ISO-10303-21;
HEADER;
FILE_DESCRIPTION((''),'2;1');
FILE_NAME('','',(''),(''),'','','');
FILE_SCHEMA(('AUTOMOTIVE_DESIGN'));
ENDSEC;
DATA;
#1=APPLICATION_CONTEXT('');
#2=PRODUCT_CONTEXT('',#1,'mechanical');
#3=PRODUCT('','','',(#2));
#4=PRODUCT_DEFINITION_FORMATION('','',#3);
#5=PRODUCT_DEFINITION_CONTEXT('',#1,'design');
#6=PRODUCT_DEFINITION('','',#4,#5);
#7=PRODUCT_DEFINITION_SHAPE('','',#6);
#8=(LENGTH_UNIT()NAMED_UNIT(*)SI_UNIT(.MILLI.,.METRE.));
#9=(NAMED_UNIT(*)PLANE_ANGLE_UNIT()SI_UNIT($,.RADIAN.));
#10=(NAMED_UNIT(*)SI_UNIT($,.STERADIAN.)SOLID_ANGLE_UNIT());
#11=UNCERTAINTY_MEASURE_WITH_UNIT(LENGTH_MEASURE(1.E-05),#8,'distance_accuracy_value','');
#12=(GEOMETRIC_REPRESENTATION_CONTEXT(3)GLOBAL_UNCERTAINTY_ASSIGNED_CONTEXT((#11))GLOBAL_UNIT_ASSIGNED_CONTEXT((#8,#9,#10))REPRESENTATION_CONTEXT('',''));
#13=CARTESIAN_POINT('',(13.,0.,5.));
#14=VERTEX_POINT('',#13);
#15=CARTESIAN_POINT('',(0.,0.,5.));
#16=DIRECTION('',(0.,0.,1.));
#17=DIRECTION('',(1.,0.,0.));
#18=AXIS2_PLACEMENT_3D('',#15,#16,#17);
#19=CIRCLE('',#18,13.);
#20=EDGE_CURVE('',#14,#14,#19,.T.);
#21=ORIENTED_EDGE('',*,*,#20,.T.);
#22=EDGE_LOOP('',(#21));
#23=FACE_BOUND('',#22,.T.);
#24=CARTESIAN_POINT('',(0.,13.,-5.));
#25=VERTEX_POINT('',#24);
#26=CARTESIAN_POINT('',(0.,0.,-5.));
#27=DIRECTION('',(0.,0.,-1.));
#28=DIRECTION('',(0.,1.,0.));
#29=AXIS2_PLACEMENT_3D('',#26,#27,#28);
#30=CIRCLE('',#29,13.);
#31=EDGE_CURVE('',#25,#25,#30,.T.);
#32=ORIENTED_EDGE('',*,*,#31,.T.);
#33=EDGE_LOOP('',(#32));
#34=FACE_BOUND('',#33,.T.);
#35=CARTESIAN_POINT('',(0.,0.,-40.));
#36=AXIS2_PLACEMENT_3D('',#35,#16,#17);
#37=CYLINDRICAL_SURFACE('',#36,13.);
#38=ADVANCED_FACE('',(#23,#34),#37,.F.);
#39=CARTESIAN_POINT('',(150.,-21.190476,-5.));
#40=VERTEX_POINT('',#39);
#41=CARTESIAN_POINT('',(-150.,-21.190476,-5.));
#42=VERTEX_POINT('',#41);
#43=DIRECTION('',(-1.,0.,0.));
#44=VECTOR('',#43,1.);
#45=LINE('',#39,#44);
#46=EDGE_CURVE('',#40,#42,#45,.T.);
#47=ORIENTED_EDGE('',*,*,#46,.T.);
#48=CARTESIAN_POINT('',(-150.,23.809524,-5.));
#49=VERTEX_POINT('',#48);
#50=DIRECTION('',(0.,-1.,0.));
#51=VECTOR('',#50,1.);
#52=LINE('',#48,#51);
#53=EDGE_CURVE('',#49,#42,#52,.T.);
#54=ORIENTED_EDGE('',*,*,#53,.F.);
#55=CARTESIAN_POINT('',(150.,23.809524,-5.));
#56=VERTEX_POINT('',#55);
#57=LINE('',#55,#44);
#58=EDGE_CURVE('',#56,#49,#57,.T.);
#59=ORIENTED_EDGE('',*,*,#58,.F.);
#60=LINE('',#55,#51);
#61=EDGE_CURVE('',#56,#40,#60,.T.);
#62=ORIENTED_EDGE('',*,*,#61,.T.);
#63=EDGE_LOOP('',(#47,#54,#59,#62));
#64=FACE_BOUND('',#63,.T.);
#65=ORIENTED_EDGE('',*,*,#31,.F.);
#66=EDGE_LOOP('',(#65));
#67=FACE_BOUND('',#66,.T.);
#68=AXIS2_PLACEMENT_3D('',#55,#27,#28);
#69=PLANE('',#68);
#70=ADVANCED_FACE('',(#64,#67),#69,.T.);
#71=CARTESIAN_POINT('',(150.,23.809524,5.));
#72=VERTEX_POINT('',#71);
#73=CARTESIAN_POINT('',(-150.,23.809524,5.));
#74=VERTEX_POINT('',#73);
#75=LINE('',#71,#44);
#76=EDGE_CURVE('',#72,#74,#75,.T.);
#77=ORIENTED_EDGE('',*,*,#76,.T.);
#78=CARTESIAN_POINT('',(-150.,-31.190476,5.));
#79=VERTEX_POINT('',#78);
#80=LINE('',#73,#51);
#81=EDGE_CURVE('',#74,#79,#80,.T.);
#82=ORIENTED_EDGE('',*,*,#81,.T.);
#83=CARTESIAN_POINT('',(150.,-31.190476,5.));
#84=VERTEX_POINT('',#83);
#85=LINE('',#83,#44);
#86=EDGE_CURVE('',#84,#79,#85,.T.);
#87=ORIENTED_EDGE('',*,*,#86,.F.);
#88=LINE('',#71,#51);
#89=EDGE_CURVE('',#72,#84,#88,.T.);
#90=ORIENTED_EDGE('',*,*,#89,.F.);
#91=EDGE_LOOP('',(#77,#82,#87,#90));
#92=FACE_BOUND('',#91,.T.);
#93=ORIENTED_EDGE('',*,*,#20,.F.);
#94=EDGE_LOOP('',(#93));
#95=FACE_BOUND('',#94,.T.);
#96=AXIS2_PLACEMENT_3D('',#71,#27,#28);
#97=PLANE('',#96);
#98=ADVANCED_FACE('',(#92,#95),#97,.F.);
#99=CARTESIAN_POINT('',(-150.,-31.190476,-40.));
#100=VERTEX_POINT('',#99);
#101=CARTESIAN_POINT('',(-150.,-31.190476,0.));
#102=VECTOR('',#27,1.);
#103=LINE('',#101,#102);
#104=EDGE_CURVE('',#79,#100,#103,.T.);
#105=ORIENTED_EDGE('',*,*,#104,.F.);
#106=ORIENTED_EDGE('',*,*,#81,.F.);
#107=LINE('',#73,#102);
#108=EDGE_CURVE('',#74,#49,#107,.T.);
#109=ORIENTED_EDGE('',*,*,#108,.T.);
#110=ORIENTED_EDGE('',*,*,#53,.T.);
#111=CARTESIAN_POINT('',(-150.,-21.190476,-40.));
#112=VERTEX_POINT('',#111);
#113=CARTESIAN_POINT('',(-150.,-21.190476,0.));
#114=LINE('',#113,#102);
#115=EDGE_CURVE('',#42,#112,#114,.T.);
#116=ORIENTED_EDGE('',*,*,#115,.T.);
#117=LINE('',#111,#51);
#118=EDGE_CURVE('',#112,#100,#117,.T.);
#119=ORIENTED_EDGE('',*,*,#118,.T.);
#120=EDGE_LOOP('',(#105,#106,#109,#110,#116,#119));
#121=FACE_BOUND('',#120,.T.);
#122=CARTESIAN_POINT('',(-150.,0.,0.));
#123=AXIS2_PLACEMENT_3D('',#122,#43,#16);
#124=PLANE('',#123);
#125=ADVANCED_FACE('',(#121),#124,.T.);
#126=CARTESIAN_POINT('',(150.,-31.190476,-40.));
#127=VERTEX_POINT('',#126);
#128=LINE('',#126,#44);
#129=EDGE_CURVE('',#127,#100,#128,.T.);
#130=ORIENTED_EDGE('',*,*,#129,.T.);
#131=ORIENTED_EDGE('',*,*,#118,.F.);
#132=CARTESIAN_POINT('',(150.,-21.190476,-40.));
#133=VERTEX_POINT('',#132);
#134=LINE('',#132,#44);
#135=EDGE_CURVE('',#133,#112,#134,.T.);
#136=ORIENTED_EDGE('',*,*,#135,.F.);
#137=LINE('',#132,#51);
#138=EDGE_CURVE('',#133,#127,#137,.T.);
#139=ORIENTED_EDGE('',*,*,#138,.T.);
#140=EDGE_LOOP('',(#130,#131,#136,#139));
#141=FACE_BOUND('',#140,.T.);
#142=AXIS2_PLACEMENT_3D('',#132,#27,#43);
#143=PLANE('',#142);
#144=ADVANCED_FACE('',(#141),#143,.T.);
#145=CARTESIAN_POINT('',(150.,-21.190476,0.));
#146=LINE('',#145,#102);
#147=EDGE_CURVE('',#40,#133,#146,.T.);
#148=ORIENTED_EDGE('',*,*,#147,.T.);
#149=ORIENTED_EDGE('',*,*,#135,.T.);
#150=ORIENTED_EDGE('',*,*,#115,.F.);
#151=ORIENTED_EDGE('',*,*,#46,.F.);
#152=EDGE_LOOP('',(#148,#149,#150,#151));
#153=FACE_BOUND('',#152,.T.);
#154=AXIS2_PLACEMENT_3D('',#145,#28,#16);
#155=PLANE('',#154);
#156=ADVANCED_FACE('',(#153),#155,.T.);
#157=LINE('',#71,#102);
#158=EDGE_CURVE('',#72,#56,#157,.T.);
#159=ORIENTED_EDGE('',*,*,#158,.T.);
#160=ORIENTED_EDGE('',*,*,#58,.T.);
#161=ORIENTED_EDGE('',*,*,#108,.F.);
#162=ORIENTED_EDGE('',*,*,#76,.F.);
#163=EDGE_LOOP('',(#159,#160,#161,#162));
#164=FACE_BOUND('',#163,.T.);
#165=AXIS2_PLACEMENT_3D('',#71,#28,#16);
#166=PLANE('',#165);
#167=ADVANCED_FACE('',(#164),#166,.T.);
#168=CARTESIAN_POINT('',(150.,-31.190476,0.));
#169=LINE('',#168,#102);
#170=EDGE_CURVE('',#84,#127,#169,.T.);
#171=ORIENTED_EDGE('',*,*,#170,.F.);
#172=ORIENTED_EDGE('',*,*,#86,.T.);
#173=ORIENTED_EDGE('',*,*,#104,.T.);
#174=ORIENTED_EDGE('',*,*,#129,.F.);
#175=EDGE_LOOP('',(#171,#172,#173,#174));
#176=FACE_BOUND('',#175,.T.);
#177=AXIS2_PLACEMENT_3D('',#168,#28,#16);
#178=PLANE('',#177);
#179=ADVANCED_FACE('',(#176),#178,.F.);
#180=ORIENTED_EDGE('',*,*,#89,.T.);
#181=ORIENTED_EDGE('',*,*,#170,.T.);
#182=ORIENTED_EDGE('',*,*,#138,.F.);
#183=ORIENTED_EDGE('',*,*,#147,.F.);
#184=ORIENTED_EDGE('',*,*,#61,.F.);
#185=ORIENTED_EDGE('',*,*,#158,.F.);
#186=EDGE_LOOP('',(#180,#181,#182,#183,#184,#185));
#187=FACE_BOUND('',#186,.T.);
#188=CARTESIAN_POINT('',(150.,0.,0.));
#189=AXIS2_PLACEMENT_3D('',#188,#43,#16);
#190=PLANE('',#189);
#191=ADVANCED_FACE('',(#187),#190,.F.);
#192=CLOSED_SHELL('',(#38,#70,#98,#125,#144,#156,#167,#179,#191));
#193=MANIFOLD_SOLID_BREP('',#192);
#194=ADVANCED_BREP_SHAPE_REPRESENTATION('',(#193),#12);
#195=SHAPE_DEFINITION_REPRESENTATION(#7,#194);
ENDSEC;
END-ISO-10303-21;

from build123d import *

# Parameters (mm, degrees)
EXTRUDE_THIN1_DEPTH = 150
SKETCH2_R           = 13
CUT_EXTRUDE1_DEPTH  = 46


with BuildPart() as part:
    # Sketch1 → Extrude-Thin1 (new body, symmetric)
    with BuildSketch(Plane(origin=(0, 0, 0), x_dir=(0, 0, -1), z_dir=(1, 0, 0))):
        Polygon((-5, 23.80952381), (-5, -31.19047619), (40, -31.19047619), (40, -21.19047619), (5, -21.19047619), (5, 23.80952381), align=None)
    extrude(amount=EXTRUDE_THIN1_DEPTH, both=True)

    # Sketch2 → Cut-Extrude1 (cut, through all)
    with BuildSketch(Plane.XY.offset(5)):
        Circle(SKETCH2_R)
    extrude(amount=-CUT_EXTRUDE1_DEPTH, mode=Mode.SUBTRACT)


solid = part.part
